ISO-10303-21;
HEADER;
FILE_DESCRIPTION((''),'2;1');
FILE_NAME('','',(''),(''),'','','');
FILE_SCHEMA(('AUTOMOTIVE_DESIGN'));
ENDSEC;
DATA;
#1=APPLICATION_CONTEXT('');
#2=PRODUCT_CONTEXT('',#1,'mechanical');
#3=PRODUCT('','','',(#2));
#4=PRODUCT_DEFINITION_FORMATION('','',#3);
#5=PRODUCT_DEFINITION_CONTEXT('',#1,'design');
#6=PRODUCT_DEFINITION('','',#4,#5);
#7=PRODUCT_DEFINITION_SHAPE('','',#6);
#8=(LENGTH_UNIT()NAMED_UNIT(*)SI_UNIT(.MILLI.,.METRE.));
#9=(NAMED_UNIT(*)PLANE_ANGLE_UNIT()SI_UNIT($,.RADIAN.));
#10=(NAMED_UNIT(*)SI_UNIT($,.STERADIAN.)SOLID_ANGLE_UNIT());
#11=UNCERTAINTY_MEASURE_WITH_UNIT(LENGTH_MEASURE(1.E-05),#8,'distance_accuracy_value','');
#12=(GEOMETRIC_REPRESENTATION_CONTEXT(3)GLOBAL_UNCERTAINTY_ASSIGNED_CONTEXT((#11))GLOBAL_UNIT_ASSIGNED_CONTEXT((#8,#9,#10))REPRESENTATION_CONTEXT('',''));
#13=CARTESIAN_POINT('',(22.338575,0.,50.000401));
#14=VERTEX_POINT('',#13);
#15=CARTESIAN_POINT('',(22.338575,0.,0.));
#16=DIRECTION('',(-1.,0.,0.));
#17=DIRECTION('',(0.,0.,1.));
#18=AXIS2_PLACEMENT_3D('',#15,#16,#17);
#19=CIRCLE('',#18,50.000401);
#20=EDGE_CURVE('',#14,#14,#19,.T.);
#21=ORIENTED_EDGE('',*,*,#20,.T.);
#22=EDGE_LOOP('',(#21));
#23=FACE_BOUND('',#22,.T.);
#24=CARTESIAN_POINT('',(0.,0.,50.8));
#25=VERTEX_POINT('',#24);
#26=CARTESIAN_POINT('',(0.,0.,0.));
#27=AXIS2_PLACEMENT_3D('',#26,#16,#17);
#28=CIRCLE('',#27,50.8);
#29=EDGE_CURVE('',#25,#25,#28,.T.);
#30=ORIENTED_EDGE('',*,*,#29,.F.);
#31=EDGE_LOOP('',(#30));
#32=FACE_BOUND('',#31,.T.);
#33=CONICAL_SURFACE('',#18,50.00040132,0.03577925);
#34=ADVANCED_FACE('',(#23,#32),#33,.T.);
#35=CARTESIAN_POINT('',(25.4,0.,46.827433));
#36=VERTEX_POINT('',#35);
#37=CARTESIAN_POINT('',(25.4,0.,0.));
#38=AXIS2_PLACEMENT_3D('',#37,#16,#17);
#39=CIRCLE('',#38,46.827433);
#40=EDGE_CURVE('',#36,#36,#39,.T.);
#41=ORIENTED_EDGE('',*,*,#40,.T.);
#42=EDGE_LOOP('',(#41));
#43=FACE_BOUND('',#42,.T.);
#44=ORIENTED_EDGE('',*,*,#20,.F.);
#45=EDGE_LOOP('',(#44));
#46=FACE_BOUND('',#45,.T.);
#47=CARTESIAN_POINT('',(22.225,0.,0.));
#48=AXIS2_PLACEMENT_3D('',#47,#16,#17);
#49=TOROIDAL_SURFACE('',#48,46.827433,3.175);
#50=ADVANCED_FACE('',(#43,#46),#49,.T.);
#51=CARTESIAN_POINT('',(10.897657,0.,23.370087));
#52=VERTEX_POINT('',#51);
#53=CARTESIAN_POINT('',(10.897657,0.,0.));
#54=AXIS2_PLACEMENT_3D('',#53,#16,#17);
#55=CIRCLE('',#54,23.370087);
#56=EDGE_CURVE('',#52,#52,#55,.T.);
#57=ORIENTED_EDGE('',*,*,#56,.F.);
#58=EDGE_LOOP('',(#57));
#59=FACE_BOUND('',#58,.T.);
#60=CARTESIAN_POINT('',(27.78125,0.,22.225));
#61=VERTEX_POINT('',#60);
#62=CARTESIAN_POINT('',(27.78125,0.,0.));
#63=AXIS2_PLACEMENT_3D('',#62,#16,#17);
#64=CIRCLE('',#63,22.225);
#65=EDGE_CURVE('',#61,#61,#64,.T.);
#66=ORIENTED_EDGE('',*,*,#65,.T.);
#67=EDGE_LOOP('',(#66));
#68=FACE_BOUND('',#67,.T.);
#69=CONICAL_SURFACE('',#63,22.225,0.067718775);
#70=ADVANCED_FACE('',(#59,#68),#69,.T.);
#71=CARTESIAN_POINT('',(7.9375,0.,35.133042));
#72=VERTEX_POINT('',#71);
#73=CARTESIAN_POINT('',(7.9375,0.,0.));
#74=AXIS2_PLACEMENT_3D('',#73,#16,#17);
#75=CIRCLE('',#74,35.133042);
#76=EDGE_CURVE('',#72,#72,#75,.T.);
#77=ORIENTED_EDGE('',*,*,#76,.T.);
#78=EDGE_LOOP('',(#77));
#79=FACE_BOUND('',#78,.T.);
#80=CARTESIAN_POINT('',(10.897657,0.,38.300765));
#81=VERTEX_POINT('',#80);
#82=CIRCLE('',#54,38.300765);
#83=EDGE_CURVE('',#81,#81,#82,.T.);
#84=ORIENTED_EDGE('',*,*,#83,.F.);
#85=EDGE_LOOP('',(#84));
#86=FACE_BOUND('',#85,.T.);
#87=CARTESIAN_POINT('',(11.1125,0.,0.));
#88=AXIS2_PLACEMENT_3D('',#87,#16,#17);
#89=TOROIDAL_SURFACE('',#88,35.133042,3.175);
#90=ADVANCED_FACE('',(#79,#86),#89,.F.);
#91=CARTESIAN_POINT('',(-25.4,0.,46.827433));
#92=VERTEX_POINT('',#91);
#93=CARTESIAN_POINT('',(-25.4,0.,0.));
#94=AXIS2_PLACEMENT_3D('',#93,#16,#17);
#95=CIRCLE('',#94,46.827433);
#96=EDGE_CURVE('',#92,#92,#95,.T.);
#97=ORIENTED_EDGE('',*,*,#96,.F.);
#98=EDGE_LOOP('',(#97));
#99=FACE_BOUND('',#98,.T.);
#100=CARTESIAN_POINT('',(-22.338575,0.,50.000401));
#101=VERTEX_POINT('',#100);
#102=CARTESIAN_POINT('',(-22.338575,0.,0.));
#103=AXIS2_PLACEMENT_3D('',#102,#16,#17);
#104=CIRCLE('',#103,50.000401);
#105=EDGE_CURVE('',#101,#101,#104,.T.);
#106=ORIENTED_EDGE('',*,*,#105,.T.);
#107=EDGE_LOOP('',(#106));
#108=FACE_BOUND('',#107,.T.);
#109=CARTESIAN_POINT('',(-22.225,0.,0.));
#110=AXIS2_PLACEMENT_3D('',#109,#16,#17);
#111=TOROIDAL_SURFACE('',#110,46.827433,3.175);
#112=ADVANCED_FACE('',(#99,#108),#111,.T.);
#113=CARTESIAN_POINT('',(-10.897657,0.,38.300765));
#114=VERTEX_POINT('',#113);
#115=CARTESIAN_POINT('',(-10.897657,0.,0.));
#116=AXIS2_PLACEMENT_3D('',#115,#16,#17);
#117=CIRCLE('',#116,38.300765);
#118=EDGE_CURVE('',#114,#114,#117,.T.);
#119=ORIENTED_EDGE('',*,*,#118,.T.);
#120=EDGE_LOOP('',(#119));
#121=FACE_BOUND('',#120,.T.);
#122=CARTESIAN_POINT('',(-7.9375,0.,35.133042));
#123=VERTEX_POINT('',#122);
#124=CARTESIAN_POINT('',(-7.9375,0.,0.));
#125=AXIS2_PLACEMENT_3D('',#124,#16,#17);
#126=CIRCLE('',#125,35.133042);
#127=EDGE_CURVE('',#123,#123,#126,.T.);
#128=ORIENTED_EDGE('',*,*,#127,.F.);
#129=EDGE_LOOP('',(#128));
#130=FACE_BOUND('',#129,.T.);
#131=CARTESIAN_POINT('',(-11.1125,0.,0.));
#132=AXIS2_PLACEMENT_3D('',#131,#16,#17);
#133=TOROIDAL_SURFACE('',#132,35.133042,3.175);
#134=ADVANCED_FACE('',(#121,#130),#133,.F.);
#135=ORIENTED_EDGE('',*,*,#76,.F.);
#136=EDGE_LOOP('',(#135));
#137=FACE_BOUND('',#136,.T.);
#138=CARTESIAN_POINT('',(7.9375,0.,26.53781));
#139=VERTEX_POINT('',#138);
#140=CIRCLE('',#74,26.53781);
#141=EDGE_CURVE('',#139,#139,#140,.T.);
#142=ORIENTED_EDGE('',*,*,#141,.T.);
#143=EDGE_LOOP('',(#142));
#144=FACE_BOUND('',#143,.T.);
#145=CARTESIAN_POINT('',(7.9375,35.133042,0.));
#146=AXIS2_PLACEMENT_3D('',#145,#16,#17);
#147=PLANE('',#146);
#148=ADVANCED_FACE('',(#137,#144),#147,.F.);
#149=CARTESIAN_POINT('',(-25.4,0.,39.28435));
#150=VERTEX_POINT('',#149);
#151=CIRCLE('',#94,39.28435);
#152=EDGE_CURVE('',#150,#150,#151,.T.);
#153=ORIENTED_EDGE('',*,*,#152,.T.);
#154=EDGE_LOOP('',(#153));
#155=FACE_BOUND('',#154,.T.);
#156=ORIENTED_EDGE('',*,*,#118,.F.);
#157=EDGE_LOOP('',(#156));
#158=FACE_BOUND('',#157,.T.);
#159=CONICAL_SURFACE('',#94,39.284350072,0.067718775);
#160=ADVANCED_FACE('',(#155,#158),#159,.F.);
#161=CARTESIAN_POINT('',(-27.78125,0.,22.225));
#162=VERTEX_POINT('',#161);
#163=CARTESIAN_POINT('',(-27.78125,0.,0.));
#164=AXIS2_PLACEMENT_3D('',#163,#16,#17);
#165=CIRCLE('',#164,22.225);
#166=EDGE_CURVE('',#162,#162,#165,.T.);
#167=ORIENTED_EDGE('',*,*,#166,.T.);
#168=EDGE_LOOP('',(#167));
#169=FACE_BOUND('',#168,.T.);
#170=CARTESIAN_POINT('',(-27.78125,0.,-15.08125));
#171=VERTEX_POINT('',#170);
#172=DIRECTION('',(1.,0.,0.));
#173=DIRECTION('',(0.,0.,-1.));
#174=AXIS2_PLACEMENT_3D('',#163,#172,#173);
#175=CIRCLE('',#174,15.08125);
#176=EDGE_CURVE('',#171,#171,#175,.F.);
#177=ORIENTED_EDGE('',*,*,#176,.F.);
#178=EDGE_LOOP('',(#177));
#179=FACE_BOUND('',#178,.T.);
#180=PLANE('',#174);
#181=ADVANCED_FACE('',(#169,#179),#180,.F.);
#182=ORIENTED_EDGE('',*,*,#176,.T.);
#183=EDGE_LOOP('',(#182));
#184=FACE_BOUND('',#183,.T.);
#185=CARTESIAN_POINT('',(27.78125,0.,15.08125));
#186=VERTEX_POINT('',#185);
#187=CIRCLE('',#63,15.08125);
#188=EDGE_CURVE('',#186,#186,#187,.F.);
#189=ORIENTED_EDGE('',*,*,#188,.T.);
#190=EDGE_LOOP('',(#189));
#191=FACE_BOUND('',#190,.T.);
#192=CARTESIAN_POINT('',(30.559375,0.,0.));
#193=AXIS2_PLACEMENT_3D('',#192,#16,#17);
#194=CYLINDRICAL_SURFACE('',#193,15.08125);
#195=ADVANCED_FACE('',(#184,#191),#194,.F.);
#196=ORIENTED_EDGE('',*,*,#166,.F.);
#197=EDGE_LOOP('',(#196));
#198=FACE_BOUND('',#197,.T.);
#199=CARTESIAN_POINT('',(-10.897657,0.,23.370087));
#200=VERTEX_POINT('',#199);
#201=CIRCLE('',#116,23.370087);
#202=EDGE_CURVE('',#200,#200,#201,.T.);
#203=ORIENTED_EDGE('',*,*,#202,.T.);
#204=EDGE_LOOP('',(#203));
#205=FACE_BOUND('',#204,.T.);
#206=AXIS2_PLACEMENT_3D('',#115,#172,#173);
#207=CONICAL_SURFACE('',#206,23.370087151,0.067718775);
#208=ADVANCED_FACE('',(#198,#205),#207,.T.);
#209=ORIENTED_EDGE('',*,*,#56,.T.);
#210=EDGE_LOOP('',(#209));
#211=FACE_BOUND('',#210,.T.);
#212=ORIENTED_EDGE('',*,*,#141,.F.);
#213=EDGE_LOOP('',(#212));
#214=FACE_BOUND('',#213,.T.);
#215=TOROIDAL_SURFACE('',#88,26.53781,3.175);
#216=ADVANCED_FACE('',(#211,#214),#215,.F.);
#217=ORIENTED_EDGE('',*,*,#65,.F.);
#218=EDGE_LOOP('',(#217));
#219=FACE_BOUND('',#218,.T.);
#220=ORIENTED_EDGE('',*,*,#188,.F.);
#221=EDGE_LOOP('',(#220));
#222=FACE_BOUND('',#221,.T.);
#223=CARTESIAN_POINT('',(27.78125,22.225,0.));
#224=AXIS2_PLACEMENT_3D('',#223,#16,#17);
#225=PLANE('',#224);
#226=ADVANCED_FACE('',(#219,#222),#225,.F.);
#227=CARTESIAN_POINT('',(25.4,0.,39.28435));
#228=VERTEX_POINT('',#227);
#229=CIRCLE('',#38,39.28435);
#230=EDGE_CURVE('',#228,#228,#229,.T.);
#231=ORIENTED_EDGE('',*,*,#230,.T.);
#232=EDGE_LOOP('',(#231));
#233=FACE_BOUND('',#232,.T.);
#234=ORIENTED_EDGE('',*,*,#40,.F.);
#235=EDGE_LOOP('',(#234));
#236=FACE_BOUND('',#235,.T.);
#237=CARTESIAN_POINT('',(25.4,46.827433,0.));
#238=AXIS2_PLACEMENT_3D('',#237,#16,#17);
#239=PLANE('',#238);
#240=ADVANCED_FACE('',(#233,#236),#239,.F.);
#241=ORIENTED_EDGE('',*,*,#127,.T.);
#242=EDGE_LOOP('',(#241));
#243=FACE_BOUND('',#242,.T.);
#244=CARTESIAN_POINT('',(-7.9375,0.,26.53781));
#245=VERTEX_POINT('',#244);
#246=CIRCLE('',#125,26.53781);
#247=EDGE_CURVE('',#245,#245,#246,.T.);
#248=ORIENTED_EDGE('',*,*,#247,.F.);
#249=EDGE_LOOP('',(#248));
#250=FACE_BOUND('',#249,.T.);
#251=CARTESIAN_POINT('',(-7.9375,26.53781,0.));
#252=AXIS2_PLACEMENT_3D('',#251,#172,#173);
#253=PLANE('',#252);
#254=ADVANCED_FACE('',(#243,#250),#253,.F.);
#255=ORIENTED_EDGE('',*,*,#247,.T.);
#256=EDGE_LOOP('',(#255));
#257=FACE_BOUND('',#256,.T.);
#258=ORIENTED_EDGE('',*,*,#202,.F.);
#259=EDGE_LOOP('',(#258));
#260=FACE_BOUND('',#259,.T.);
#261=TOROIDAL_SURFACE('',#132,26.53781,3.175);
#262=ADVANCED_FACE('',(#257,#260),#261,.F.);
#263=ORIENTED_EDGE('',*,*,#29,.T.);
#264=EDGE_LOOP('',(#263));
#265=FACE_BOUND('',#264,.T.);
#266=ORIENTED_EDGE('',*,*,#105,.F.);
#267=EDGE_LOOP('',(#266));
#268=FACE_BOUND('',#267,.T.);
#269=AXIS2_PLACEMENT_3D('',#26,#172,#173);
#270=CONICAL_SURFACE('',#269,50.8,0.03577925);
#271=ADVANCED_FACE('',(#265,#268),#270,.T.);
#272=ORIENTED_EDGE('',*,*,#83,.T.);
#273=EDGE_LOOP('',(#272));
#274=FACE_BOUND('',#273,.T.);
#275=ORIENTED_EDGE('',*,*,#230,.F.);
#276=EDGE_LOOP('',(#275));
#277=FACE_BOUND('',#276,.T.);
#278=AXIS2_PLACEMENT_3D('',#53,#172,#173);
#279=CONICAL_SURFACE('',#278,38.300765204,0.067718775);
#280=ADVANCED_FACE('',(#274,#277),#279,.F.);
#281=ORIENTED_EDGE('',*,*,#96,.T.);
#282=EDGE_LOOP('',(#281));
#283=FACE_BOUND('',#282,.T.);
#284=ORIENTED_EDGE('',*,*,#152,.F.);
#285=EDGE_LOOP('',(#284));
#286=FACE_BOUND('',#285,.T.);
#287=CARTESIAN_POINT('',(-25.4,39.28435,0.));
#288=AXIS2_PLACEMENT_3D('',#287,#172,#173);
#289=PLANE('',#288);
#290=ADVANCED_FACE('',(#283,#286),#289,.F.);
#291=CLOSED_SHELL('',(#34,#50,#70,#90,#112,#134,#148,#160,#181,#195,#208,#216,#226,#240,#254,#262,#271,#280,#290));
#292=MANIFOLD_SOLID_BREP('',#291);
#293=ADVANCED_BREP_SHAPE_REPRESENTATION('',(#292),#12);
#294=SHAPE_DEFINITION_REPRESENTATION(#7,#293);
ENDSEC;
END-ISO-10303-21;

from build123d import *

# Parameters (mm, degrees)
ESBO_O2_W = 61.11875
ESBO_O2_H = 15.08125


with BuildPart() as part:
    # Esboço1 → Revolução1 (revolve)
    with BuildSketch(Plane.XY):
        with BuildLine():
            Line((-27.78125, 0), (-27.78125, 22.225))
            Line((-27.78125, 22.225), (-10.897657183, 23.370087151))
            ThreePointArc((-10.897657183, 23.370087151), (-8.792720814, 24.370034675), (-7.9375, 26.537809923))
            Line((-7.9375, 26.537809923), (-7.9375, 35.133042431))
            ThreePointArc((-7.9375, 35.133042431), (-8.792720814, 37.30081768), (-10.897657183, 38.300765204))
            Line((-10.897657183, 38.300765204), (-25.4, 39.284350072))
            Line((-25.4, 39.284350072), (-25.4, 46.827433348))
            ThreePointArc((-25.4, 46.827433348), (-24.509865997, 49.031976924), (-22.338574882, 50.00040132))
            Line((-22.338574882, 50.00040132), (0, 50.8))
            Line((0, 50.8), (22.338574882, 50.00040132))
            ThreePointArc((22.338574882, 50.00040132), (24.509865997, 49.031976924), (25.4, 46.827433348))
            Line((25.4, 46.827433348), (25.4, 39.284350072))
            Line((25.4, 39.284350072), (10.897657183, 38.300765204))
            ThreePointArc((10.897657183, 38.300765204), (8.792720814, 37.30081768), (7.9375, 35.133042431))
            Line((7.9375, 35.133042431), (7.9375, 26.537809923))
            ThreePointArc((7.9375, 26.537809923), (8.792720814, 24.370034675), (10.897657183, 23.370087151))
            Line((10.897657183, 23.370087151), (27.78125, 22.225))
            Line((27.78125, 22.225), (27.78125, 0))
            Line((27.78125, 0), (-27.78125, 0))
        make_face()
    revolve(axis=Axis((27.78125, 0, 0), (-1, 0, 0)))

    # Esboço2 → Corte-Revolução1 (revolve, cut)
    with BuildSketch(Plane.XY):
        with Locations((0, 7.540625)):
            Rectangle(ESBO_O2_W, ESBO_O2_H)
    revolve(axis=Axis((30.559375, 0, 0), (-1, 0, 0)), mode=Mode.SUBTRACT)


solid = part.part
